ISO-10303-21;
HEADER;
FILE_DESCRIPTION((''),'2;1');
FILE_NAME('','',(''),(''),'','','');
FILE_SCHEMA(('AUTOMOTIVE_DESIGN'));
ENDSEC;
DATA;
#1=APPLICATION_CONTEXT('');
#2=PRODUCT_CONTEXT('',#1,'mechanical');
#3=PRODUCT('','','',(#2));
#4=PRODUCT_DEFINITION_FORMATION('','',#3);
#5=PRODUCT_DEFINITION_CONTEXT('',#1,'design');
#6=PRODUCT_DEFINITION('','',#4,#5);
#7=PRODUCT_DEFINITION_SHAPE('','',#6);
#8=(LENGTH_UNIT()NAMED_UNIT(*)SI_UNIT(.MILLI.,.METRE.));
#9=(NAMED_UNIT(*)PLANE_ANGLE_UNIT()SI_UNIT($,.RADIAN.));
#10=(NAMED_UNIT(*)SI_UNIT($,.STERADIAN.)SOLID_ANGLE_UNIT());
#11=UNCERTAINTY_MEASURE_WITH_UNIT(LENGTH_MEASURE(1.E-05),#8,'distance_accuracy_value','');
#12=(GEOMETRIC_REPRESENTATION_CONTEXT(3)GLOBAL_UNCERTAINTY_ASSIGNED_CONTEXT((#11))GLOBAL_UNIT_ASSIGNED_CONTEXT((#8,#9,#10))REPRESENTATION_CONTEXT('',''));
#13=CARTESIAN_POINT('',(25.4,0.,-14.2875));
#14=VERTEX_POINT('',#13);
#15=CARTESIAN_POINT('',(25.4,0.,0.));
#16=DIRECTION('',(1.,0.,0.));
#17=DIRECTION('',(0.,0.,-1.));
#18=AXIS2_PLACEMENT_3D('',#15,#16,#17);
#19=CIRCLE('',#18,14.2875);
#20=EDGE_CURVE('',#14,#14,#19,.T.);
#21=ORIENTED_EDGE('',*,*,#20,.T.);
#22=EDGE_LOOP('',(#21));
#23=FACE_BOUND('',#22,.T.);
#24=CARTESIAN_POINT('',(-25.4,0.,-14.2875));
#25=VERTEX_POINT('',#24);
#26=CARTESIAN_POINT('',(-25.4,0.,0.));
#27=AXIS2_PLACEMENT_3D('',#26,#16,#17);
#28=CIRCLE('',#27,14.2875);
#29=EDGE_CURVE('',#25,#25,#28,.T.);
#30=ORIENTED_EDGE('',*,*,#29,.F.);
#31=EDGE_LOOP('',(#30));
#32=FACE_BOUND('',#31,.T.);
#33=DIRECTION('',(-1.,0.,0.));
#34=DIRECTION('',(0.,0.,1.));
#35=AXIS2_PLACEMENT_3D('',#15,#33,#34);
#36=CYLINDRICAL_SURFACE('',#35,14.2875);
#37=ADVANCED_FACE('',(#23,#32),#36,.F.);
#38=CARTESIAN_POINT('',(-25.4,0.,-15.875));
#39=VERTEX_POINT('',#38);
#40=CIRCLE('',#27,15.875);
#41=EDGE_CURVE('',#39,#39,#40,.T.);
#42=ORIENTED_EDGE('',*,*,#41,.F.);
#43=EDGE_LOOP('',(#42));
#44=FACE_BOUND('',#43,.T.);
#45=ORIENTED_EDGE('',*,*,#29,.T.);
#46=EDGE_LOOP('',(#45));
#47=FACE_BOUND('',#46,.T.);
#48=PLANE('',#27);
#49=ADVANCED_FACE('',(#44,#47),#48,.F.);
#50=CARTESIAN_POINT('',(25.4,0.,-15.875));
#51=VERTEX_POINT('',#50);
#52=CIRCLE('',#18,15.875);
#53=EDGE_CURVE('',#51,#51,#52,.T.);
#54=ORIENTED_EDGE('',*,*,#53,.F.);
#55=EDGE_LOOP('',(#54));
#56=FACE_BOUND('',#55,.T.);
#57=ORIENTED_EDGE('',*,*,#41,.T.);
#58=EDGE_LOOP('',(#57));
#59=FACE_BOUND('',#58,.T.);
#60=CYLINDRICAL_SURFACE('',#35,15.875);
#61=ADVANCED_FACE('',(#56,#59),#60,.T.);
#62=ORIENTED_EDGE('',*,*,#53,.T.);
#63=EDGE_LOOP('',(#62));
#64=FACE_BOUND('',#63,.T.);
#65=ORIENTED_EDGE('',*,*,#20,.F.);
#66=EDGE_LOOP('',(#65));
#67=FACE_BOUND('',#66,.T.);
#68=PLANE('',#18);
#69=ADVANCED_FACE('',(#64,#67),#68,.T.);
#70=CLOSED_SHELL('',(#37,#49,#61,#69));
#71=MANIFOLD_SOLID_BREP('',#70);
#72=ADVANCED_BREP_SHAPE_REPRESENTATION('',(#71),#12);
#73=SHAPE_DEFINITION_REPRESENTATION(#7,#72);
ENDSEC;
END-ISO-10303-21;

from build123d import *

# Parameters (mm, degrees)
SKETCH1_R           = 15.875
SKETCH1_R_2         = 14.2875
BOSS_EXTRUDE1_DEPTH = 25.4


with BuildPart() as part:
    # Sketch1 → Boss-Extrude1 (new, symmetric)
    with BuildSketch(Plane(origin=(0, 0, 0), x_dir=(0, 0, -1), z_dir=(1, 0, 0))):
        Circle(SKETCH1_R)
        Circle(SKETCH1_R_2, mode=Mode.SUBTRACT)
    extrude(amount=BOSS_EXTRUDE1_DEPTH, both=True)


solid = part.part
